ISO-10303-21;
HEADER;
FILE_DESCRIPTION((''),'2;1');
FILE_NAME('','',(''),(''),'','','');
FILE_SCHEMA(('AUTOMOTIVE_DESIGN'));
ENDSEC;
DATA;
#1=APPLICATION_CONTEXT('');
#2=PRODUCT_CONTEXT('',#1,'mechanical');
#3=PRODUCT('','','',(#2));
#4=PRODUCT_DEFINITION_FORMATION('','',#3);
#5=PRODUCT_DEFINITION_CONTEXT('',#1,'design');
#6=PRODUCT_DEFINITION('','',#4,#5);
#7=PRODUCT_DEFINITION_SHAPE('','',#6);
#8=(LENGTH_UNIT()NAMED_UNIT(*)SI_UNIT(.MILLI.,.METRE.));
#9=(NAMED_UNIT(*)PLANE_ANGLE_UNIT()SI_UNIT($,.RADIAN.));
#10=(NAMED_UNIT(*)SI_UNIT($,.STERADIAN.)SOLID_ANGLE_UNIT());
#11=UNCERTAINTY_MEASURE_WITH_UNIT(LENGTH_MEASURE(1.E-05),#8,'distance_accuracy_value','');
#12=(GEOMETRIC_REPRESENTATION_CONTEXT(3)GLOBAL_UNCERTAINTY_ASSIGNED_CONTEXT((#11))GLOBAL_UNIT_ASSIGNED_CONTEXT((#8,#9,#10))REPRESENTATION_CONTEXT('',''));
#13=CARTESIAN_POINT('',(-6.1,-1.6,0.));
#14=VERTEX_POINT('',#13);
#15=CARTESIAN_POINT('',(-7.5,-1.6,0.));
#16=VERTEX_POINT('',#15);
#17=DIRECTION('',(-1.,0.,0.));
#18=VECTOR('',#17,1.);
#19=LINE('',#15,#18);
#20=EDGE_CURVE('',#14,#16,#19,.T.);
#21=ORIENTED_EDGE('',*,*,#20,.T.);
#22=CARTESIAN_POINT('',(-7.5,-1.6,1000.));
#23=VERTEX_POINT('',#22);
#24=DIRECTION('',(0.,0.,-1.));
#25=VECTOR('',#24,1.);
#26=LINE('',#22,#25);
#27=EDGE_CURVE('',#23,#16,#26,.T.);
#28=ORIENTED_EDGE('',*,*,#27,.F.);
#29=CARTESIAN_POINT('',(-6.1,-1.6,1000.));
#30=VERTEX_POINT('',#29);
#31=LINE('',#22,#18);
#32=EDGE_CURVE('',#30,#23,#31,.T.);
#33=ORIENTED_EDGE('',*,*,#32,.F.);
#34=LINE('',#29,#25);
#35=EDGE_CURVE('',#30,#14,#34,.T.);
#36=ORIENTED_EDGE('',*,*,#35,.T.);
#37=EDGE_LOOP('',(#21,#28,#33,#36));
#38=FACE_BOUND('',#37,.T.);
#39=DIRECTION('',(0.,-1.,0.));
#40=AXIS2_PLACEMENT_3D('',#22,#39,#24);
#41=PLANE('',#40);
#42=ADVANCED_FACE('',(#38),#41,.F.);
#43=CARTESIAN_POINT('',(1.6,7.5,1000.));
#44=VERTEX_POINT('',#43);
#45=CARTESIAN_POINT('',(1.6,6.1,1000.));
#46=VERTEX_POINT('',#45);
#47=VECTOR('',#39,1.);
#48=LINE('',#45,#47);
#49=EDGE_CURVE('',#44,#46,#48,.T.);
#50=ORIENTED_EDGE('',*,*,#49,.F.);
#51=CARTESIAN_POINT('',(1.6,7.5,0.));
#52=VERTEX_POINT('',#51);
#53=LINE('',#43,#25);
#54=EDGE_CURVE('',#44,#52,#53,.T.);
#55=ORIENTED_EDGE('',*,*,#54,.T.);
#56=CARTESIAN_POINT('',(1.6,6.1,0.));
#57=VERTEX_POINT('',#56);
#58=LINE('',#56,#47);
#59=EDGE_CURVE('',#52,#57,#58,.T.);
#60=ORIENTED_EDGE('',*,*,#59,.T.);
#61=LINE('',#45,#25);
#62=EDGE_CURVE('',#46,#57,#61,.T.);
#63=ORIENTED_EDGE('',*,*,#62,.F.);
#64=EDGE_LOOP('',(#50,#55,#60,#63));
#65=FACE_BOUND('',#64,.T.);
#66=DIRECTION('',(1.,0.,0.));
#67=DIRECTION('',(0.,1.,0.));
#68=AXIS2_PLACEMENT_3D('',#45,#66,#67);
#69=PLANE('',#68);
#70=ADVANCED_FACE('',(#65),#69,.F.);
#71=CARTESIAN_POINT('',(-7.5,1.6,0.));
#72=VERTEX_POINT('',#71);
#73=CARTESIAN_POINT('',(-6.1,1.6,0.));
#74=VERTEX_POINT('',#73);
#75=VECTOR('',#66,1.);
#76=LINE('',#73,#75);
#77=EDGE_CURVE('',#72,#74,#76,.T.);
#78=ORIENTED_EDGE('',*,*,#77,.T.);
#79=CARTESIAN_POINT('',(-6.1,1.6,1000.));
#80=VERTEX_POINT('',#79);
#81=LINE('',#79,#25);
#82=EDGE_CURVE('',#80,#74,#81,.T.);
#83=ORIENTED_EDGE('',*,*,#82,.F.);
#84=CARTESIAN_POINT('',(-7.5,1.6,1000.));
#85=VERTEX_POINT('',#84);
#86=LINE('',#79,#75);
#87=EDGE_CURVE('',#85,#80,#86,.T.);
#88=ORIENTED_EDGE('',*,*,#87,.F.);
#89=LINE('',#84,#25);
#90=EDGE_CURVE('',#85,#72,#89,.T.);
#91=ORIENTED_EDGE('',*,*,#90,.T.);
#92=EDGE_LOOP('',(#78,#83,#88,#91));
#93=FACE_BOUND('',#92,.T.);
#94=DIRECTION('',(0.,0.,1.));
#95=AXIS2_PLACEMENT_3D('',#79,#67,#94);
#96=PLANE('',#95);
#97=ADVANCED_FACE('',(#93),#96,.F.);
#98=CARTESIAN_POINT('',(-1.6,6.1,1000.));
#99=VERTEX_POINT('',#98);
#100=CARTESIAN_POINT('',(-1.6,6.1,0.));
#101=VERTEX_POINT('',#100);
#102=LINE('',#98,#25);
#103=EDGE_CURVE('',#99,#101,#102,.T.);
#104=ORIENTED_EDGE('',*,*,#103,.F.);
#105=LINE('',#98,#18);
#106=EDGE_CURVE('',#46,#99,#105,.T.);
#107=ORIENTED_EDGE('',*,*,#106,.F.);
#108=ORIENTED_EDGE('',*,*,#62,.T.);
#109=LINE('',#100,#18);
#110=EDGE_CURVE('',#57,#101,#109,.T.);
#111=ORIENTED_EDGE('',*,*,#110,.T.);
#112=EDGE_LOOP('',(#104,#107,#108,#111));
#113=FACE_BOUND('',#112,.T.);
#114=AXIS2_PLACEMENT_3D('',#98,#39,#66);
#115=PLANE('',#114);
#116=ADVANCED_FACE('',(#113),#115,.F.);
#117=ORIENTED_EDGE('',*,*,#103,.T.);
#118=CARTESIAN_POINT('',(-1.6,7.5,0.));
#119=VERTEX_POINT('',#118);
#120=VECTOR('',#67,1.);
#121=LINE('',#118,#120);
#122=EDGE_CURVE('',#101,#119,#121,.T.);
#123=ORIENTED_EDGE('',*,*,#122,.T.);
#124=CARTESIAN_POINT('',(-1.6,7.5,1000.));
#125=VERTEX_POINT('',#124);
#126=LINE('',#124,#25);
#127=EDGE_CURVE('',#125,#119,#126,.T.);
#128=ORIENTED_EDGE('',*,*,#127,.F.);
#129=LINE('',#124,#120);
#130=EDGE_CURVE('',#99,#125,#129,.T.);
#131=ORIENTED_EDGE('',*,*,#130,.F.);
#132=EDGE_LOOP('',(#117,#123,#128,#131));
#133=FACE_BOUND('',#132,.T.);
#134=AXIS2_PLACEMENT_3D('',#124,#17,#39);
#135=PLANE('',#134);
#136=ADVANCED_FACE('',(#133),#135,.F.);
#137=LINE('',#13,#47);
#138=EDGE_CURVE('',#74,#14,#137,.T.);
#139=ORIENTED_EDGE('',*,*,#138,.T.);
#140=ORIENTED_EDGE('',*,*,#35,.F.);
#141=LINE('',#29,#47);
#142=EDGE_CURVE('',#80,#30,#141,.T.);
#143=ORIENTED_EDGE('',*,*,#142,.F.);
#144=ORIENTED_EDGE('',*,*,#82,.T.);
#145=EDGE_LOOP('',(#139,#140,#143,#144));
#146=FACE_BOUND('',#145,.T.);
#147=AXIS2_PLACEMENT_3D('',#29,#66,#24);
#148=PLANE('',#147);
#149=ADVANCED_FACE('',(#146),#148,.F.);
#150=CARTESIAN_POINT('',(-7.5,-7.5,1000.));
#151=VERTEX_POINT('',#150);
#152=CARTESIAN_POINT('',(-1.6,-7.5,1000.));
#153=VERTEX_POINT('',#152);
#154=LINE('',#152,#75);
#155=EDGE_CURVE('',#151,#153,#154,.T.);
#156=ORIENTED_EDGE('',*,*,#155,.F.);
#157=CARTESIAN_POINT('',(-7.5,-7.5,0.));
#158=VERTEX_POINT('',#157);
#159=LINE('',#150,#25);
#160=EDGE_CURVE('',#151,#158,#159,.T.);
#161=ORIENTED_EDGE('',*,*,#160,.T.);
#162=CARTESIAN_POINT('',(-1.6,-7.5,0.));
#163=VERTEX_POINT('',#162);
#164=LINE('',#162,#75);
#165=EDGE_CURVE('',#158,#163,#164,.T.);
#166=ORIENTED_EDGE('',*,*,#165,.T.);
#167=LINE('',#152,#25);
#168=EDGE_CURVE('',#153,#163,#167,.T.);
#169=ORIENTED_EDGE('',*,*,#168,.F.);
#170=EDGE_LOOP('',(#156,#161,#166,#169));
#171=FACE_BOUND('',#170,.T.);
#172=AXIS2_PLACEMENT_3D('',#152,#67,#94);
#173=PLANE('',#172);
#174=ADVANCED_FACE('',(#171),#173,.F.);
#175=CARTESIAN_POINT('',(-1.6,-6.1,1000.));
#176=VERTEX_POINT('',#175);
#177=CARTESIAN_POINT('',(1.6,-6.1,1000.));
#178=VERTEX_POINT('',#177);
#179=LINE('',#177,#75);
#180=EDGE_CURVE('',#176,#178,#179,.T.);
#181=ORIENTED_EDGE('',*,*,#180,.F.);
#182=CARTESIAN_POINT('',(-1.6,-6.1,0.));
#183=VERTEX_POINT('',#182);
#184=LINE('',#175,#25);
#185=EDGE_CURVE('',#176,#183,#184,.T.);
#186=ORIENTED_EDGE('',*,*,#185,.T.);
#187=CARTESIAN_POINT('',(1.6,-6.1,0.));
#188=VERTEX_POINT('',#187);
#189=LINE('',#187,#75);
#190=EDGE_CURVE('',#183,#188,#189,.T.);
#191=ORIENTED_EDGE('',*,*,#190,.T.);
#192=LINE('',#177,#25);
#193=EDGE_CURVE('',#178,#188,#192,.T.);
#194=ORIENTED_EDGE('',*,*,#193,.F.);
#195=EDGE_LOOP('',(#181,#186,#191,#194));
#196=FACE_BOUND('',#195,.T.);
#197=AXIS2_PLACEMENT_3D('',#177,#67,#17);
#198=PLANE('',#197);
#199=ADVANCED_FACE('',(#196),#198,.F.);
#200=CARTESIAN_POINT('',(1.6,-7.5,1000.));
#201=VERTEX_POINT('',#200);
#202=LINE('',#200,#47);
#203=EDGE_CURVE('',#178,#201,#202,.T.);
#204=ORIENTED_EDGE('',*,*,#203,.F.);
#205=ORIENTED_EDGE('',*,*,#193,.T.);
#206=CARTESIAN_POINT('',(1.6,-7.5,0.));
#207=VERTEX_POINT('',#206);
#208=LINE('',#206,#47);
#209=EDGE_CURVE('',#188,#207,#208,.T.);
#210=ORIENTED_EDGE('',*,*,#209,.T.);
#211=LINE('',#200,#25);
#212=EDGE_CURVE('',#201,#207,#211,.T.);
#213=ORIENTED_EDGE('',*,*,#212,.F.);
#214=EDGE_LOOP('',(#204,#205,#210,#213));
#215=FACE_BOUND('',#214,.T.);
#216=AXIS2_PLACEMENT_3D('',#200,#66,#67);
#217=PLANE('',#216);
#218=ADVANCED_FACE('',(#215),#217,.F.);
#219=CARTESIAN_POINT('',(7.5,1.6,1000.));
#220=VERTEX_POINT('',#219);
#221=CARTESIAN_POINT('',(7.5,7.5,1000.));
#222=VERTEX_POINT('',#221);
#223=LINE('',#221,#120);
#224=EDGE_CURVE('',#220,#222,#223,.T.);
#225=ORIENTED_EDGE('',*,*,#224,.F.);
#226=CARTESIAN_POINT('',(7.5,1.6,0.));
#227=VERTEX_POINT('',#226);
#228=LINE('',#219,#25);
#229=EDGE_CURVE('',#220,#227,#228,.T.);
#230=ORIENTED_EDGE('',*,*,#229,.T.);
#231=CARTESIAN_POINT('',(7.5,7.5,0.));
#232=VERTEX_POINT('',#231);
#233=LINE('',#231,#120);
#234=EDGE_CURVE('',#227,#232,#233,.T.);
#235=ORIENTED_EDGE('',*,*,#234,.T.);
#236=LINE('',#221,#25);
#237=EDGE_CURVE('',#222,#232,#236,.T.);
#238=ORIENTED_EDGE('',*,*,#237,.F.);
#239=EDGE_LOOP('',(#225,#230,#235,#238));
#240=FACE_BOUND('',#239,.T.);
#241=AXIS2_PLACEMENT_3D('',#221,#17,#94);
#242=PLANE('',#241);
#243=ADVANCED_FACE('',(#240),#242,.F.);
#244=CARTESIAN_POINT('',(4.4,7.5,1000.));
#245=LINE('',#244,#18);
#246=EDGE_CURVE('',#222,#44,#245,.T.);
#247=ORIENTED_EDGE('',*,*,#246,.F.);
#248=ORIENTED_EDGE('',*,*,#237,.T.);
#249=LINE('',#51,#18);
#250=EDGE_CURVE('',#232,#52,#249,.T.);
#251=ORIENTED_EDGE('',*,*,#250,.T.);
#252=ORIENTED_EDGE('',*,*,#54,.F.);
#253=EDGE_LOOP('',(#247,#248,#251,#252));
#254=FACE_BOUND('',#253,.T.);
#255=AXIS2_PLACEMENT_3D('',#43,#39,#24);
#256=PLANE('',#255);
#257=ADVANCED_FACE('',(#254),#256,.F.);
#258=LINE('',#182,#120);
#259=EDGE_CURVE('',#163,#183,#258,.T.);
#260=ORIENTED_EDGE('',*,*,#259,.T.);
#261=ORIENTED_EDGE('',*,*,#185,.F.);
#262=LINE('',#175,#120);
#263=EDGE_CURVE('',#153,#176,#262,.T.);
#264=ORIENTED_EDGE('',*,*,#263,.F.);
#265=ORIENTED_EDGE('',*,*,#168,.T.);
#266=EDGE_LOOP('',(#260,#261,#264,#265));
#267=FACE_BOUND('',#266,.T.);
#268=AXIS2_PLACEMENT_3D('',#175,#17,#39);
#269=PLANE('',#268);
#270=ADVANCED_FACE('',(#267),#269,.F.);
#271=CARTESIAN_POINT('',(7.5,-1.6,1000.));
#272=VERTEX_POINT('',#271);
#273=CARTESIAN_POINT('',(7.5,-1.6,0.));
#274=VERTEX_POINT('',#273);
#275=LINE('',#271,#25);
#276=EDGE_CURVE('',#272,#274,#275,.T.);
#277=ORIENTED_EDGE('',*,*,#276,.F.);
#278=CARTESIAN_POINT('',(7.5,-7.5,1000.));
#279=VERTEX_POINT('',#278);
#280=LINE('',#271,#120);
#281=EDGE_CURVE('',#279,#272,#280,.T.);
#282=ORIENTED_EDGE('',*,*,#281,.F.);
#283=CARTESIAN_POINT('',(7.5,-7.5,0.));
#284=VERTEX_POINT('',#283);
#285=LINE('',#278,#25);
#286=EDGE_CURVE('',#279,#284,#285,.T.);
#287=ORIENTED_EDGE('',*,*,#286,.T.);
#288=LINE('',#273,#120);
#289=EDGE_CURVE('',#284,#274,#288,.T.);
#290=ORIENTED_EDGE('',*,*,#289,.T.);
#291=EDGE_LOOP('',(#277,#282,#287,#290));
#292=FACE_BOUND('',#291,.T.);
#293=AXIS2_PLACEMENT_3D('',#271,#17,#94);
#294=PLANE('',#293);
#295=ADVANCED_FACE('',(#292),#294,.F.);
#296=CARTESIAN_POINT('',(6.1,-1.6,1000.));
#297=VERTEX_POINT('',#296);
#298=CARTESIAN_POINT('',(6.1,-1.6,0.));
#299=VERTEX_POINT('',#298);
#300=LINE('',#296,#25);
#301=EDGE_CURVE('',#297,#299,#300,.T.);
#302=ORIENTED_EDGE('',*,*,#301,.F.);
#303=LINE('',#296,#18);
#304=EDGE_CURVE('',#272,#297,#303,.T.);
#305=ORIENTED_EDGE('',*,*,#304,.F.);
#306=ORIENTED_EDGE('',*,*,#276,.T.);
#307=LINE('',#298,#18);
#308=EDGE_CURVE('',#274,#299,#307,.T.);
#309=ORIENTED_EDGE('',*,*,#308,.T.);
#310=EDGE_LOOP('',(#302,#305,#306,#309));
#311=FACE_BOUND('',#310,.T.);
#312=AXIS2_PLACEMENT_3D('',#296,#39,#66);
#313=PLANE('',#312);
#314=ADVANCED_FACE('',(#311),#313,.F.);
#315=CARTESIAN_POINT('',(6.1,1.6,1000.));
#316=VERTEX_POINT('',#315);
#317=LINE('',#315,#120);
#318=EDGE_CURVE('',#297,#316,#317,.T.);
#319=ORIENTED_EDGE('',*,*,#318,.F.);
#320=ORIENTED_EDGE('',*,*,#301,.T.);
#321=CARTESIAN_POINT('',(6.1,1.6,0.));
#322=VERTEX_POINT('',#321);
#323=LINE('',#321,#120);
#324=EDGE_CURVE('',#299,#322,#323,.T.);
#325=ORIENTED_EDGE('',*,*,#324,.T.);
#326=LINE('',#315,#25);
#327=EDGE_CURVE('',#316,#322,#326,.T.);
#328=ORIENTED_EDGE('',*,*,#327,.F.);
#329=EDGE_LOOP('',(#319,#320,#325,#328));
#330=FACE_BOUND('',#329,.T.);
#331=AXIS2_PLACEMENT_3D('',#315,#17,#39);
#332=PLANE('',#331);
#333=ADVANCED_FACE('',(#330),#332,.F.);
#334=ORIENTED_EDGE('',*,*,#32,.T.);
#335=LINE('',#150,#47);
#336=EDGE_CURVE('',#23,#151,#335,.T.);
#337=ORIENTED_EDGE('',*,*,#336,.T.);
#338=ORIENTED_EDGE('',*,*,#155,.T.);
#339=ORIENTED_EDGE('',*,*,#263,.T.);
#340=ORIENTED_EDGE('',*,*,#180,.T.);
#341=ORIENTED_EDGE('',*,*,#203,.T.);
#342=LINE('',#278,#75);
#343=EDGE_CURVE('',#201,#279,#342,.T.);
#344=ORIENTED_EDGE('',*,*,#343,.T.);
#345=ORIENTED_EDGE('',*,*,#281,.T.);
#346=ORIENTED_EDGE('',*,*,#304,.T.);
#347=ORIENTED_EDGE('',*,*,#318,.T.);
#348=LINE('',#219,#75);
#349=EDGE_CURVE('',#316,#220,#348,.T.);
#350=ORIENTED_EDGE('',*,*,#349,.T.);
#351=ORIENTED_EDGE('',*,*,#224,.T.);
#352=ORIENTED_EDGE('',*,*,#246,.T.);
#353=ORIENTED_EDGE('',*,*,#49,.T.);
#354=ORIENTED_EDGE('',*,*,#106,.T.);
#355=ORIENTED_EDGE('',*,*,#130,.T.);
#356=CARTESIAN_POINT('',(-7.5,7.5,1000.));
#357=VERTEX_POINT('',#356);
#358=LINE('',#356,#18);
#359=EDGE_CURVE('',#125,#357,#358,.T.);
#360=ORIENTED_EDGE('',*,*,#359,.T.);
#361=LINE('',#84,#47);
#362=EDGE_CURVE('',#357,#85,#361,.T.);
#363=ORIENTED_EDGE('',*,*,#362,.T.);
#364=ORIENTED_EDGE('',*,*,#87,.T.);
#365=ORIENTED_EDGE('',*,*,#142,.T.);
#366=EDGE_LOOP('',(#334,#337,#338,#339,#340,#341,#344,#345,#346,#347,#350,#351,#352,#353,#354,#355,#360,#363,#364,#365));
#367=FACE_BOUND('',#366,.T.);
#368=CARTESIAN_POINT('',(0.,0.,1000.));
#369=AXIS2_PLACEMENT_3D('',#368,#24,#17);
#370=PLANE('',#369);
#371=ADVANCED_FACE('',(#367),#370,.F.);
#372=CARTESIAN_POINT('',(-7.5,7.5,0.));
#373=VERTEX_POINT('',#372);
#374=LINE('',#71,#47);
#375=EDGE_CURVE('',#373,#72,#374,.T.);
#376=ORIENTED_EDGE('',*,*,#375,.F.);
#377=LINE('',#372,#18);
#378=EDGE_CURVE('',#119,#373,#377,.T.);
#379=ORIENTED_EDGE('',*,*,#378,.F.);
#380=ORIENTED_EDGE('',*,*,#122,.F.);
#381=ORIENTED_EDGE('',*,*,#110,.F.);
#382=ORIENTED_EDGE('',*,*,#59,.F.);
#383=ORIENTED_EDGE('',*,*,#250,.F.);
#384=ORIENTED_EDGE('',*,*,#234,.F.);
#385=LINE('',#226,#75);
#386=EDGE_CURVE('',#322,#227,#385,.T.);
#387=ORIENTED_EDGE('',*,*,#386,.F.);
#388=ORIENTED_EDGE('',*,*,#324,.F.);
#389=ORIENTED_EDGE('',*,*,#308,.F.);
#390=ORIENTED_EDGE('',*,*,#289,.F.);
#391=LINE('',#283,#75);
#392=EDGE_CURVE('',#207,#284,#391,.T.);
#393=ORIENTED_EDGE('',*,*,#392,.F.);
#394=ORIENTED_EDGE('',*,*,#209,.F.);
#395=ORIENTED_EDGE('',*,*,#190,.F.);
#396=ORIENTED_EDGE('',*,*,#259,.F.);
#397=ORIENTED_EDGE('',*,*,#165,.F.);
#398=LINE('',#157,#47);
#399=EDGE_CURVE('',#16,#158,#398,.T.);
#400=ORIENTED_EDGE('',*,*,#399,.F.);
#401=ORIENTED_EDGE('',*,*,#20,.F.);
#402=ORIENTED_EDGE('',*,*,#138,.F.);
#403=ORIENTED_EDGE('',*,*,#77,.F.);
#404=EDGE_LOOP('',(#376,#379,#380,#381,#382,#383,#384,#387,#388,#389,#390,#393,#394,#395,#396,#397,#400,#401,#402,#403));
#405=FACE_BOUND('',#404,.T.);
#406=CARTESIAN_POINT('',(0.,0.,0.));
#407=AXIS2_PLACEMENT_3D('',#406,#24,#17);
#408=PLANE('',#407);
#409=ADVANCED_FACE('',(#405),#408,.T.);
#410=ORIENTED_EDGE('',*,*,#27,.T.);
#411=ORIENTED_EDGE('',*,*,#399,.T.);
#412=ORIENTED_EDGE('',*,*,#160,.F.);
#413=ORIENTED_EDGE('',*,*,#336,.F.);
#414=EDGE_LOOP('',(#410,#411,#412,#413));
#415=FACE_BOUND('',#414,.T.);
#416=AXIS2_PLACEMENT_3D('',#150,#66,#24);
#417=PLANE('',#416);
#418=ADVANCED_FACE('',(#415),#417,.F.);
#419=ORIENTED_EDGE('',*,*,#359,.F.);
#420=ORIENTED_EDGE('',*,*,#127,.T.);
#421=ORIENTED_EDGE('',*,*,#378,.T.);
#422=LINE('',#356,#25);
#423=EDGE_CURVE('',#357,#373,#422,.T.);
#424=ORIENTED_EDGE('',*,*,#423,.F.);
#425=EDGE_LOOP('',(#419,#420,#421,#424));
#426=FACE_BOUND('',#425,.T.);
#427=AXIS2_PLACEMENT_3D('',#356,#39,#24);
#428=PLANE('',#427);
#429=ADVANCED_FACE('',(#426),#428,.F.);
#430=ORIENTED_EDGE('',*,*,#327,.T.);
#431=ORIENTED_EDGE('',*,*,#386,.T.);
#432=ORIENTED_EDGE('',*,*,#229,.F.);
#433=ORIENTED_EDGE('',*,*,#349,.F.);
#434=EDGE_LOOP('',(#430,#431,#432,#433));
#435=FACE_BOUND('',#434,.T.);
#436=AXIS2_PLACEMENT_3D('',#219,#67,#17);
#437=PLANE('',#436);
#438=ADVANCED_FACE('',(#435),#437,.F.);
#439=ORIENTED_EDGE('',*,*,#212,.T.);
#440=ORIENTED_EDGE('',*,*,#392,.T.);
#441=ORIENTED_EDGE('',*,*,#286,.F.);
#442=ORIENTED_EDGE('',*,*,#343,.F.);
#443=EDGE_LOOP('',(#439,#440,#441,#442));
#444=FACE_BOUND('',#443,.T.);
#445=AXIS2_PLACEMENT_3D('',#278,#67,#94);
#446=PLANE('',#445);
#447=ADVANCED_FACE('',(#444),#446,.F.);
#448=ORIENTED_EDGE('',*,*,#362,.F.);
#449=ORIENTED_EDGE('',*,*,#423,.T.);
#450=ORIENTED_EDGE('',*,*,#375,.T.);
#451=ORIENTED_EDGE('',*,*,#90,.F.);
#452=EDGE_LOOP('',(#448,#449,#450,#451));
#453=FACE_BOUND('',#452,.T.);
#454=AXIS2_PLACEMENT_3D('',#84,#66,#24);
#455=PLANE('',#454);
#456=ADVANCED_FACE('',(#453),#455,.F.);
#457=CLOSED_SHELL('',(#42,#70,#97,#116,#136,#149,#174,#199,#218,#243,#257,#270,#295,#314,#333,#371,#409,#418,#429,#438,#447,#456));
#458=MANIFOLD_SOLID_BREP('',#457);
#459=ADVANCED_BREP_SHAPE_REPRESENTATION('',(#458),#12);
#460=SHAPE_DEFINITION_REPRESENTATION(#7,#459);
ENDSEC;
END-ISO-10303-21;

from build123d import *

# Parameters (mm, degrees)
BOSS_EXTRUDE1_DEPTH = 1000


with BuildPart() as part:
    # ob profile → Boss-Extrude1 (new body)
    with BuildSketch(Plane.XY):
        Polygon((-7.5, 7.5), (-1.6, 7.5), (-1.6, 6.1), (1.6, 6.1), (1.6, 7.5), (4.4, 7.5), (7.5, 7.5), (7.5, 1.6), (6.1, 1.6), (6.1, -1.6), (7.5, -1.6), (7.5, -7.5), (1.6, -7.5), (1.6, -6.1), (-1.6, -6.1), (-1.6, -7.5), (-7.5, -7.5), (-7.5, -1.6), (-6.1, -1.6), (-6.1, 1.6), (-7.5, 1.6), align=None)
    extrude(amount=BOSS_EXTRUDE1_DEPTH)


solid = part.part
